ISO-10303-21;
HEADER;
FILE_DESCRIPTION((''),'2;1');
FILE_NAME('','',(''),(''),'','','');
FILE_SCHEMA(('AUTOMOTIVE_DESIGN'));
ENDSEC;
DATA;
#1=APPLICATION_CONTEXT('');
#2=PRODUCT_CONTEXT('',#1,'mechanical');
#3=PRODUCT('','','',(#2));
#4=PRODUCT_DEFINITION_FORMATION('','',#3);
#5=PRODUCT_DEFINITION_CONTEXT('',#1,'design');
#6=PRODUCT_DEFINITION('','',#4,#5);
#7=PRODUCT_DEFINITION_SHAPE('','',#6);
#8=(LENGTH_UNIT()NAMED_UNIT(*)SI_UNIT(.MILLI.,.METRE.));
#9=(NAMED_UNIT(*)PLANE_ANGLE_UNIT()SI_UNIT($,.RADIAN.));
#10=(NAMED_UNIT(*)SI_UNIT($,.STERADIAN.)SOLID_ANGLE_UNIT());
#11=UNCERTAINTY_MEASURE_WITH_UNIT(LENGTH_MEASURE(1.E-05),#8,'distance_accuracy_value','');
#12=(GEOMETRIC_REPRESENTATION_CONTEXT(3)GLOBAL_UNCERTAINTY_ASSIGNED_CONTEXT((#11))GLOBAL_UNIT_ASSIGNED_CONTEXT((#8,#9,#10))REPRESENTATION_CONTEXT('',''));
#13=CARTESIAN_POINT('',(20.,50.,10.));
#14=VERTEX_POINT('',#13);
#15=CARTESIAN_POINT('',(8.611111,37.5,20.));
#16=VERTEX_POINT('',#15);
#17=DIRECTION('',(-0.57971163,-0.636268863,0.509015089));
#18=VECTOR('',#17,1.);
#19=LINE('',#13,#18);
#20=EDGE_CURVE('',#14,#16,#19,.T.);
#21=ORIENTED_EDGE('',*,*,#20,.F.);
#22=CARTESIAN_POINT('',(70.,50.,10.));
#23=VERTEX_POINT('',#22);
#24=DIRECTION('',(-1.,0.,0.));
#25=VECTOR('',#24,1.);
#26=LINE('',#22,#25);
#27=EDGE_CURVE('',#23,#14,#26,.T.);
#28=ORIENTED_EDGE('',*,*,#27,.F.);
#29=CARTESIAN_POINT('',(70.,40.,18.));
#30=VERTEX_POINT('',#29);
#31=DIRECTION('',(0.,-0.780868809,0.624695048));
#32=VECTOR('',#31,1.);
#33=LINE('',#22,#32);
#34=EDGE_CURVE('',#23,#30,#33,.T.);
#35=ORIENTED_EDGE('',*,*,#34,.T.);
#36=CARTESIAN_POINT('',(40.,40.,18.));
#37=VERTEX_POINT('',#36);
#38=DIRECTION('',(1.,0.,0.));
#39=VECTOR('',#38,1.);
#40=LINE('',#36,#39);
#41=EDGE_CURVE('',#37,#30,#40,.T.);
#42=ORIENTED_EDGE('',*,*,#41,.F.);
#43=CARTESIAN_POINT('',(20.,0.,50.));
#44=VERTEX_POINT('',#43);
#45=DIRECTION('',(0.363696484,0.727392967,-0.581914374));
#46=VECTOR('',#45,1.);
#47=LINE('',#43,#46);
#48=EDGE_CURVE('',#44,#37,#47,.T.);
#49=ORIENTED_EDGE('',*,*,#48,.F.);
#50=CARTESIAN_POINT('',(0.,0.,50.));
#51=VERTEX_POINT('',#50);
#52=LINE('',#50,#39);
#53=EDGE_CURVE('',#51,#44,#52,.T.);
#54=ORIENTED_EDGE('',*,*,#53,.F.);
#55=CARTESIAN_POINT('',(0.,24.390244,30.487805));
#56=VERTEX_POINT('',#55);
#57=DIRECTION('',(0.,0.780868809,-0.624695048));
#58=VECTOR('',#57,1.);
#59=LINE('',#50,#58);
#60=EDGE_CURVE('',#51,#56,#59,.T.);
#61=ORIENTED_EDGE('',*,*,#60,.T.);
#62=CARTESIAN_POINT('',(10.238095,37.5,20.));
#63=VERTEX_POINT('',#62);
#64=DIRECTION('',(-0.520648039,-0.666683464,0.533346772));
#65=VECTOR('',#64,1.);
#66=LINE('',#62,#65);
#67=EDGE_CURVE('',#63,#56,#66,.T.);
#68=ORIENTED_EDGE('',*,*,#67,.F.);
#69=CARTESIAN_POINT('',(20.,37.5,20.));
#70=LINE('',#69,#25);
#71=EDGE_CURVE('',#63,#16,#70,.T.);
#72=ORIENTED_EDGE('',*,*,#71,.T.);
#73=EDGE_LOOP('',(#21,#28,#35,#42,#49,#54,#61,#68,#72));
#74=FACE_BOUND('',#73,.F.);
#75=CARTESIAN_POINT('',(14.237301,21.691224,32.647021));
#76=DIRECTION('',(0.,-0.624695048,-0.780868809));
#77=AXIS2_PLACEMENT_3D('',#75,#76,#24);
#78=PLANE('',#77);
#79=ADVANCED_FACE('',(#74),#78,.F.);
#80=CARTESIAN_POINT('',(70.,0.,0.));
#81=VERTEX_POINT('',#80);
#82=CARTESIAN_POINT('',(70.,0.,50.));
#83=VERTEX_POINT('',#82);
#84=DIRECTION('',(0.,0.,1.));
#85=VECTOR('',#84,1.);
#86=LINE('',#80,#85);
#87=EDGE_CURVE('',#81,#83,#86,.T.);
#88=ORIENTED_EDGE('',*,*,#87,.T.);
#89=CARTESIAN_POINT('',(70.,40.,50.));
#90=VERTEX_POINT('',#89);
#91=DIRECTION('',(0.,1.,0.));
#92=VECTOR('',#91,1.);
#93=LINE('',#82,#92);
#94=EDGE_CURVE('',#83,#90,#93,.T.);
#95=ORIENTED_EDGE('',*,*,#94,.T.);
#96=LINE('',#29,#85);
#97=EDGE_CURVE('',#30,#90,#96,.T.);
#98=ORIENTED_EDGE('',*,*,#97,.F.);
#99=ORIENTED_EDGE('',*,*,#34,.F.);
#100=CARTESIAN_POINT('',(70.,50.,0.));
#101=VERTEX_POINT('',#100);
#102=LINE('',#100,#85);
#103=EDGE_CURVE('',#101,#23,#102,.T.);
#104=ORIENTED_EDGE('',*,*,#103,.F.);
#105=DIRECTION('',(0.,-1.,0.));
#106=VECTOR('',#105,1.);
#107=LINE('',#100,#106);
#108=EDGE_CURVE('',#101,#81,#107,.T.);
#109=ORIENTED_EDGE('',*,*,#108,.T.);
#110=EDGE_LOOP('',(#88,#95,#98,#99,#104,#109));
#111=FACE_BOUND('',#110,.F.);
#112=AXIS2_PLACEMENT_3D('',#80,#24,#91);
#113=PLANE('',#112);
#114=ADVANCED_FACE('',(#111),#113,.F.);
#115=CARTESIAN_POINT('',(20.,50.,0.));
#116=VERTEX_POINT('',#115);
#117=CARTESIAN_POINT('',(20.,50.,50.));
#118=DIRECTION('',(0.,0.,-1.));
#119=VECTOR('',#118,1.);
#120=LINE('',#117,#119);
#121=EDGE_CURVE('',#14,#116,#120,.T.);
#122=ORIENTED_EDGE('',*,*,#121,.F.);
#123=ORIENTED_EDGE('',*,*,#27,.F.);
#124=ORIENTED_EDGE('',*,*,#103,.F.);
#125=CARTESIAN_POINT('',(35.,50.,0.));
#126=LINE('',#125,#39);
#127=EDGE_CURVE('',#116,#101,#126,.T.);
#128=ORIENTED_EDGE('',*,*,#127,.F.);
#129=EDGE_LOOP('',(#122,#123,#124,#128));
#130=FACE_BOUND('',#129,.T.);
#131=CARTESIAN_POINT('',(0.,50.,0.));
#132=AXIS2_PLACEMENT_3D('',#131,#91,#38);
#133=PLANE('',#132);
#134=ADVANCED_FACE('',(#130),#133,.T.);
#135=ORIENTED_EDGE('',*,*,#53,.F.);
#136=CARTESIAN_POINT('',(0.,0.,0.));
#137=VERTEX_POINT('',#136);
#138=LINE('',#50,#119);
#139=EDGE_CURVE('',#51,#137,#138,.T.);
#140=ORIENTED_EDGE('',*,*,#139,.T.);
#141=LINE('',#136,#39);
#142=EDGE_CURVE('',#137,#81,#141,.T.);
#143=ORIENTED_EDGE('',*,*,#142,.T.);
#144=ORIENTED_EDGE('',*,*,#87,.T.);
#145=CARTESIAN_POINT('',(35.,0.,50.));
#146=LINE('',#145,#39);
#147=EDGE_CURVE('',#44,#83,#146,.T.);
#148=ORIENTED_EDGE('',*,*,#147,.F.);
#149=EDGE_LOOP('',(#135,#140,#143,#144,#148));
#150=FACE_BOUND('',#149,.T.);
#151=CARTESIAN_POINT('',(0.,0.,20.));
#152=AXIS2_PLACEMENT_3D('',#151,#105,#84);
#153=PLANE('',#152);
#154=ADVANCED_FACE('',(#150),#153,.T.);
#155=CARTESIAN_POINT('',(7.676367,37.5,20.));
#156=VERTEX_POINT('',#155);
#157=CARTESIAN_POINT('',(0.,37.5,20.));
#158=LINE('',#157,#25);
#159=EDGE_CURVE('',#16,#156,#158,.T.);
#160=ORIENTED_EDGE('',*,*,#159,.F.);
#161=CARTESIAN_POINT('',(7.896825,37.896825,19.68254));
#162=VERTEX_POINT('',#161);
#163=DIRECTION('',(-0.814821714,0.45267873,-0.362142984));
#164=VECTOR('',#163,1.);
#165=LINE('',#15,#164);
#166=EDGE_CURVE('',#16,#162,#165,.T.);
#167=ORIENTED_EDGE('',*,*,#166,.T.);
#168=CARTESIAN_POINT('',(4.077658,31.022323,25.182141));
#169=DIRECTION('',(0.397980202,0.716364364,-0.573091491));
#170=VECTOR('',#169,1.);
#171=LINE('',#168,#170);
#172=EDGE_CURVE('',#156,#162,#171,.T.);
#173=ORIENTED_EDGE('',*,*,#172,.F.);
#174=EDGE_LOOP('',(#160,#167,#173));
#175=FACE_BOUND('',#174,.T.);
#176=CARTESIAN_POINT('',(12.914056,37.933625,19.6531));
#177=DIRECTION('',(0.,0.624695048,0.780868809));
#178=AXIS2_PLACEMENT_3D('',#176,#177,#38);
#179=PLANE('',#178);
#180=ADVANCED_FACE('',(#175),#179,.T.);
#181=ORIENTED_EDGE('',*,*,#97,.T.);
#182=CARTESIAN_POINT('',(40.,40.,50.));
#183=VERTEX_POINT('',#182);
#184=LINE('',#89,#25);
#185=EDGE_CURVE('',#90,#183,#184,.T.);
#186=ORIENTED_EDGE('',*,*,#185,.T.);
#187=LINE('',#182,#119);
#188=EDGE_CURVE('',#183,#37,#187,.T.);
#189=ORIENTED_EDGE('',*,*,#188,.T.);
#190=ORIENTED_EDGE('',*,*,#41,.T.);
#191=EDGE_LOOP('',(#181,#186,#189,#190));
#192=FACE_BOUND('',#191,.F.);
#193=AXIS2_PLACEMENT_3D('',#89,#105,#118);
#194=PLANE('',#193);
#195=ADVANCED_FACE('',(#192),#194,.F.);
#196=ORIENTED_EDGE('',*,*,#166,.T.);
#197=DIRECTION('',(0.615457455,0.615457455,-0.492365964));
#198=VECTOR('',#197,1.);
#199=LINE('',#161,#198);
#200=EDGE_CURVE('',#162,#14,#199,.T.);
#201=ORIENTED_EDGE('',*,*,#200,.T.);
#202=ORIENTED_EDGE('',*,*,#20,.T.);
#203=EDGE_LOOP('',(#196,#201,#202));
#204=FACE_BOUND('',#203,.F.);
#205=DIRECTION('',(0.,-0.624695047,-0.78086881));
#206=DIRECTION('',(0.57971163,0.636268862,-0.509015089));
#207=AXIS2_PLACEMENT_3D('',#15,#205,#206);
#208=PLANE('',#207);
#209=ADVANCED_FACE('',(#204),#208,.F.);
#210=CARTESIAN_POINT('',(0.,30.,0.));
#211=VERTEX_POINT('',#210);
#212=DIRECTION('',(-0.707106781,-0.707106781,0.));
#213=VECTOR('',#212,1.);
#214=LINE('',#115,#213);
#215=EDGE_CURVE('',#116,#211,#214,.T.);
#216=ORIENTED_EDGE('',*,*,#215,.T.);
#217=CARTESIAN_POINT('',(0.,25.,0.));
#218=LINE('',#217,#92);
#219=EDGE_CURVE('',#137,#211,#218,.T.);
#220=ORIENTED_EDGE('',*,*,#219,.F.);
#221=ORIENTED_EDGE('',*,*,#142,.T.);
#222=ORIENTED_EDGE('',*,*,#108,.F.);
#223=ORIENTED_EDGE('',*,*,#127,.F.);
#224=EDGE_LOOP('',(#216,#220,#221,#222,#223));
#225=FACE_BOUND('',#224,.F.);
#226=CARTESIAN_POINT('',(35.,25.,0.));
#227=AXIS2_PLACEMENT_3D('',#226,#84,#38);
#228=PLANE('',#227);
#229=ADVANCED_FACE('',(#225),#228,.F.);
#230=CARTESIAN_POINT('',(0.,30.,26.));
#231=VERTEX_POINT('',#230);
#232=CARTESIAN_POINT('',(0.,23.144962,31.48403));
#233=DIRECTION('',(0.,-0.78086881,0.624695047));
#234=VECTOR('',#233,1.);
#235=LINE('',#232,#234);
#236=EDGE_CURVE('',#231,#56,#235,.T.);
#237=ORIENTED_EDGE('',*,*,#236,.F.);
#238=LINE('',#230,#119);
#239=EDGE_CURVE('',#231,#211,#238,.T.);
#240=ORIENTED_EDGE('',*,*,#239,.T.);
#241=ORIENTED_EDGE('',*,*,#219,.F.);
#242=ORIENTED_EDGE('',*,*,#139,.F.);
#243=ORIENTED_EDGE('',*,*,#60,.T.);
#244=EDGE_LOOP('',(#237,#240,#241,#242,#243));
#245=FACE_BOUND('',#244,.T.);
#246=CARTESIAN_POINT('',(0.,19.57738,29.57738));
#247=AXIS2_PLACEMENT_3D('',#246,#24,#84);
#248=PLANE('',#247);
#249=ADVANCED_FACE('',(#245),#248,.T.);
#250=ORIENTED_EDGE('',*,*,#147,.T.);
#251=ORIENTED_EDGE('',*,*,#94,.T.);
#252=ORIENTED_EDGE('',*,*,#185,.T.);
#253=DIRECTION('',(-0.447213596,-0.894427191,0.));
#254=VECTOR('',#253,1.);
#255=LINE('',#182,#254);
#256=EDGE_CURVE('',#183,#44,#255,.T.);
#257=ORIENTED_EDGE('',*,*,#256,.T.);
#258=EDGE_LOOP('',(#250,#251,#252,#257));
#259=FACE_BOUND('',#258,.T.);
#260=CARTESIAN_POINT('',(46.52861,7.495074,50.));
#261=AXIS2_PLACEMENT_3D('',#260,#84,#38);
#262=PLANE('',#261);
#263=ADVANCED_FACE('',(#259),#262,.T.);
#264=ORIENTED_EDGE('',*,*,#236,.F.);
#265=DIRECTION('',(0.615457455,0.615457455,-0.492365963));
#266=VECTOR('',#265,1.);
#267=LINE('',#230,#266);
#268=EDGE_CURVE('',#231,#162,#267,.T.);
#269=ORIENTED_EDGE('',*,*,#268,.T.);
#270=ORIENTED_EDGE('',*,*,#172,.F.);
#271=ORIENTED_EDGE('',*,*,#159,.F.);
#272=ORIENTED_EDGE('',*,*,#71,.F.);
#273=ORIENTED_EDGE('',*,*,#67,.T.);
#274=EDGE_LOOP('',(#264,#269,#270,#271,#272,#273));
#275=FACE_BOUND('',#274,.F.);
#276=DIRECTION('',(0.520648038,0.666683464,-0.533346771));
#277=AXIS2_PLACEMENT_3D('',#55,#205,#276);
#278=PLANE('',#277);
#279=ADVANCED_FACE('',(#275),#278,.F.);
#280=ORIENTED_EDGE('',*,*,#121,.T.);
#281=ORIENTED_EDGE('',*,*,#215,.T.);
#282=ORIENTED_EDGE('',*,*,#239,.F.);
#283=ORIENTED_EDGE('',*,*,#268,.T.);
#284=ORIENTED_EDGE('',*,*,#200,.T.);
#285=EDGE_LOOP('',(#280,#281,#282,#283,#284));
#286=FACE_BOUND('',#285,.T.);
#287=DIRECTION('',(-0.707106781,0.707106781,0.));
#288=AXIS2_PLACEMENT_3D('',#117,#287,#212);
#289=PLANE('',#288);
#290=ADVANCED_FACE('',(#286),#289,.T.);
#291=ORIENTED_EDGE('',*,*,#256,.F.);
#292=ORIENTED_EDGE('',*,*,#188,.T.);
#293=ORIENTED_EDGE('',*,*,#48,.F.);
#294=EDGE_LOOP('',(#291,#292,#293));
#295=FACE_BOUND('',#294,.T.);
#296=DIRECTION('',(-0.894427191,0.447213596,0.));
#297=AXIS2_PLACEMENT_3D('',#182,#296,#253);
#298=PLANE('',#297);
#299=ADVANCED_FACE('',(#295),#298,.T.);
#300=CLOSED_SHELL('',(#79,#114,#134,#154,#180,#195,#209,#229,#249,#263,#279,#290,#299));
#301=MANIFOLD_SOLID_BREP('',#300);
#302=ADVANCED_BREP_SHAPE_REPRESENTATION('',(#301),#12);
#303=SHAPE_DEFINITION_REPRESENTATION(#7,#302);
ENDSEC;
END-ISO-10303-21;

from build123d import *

# Parameters (mm, degrees)
SKETCH1_W            = 70
SKETCH1_H            = 50
BOSS_EXTRUDE1_DEPTH  = 50
CUT_EXTRUDE1_DEPTH   = 50
CUT_EXTRUDE2_DEPTH   = 81
CUT_EXTRUDE4_DEPTH   = 30
BOSS_EXTRUDE4_DEPTH  = 73
SKETCH7_W            = 70
SKETCH7_H            = 50
CUT_EXTRUDE5_DEPTH   = 73
SKETCH8_W            = 70
SKETCH8_H            = 50
CUT_EXTRUDE6_DEPTH   = 73
CUT_EXTRUDE7_DEPTH   = 73
CUT_EXTRUDE8_DEPTH   = 73
CUT_EXTRUDE9_DEPTH   = 73
CUT_EXTRUDE10_DEPTH  = 73
CUT_EXTRUDE11_DEPTH  = 73
CUT_EXTRUDE12_DEPTH  = 73
CUT_EXTRUDE13_DEPTH  = 73
CUT_EXTRUDE14_DEPTH  = 73
CUT_EXTRUDE15_DEPTH  = 73
CUT_EXTRUDE16_DEPTH  = 73
CUT_EXTRUDE17_DEPTH  = 73
BOSS_EXTRUDE6_DEPTH  = 40
BOSS_EXTRUDE9_DEPTH  = 20
CUT_EXTRUDE18_DEPTH  = 20
CUT_EXTRUDE19_DEPTH  = 20
CUT_EXTRUDE20_DEPTH  = 20
CUT_EXTRUDE21_DEPTH  = 20
CUT_EXTRUDE22_DEPTH  = 20
SKETCH28_W           = 25
SKETCH28_H           = 30
BOSS_EXTRUDE10_DEPTH = 20
CUT_EXTRUDE23_DEPTH  = 20
BOSS_EXTRUDE12_DEPTH = 10
CUT_EXTRUDE24_DEPTH  = 10
CUT_EXTRUDE25_DEPTH  = 10
CUT_EXTRUDE28_DEPTH  = 10
BOSS_EXTRUDE14_DEPTH = 35


with BuildPart() as part:
    # Sketch1 → Boss-Extrude1 (new body)
    with BuildSketch(Plane.XY):
        with Locations((35, 25)):
            Rectangle(SKETCH1_W, SKETCH1_H)
    extrude(amount=BOSS_EXTRUDE1_DEPTH)

    # Sketch2 → Cut-Extrude1 (cut)
    with BuildSketch(Plane.XY.offset(50)):
        Polygon((20, 50), (0, 30), (0, 50), align=None)
    extrude(amount=-CUT_EXTRUDE1_DEPTH, mode=Mode.SUBTRACT)

    # Sketch3 → Cut-Extrude2 (cut)
    with BuildSketch(Plane(origin=(70, 0, 0), x_dir=(0, 0, -1), z_dir=(1, 0, 0))):
        Polygon((-50, 40), (-20, 40), (-10, 50), (-50, 50), align=None)
    extrude(amount=-CUT_EXTRUDE2_DEPTH, mode=Mode.SUBTRACT)

    # Sketch4 → Cut-Extrude4 (cut)
    with BuildSketch(Plane.XY.offset(50)):
        Polygon((0, 0), (20, 0), (40, 40), (10, 40), (0, 30), align=None)
    extrude(amount=-CUT_EXTRUDE4_DEPTH, mode=Mode.SUBTRACT)

    # Sketch6 → Boss-Extrude4 (add)
    with BuildSketch(Plane(origin=(0, 24.390243902, 30.487804878), x_dir=(1, 0, 0), z_dir=(0, 0.624695048, 0.780868809))):
        Polygon((20, -31.234752378), (70, 32.796489997), (20, 32.796489997), align=None)
        Polygon((20, -31.234752378), (20, 32.796489997), (0, -31.234752378), align=None)
    extrude(amount=-BOSS_EXTRUDE4_DEPTH)

    # Sketch7 → Cut-Extrude5 (cut)
    with BuildSketch(Plane.XZ):
        with Locations((35, 25)):
            Rectangle(SKETCH7_W, SKETCH7_H)
    extrude(amount=CUT_EXTRUDE5_DEPTH, mode=Mode.SUBTRACT)

    # Sketch8 → Cut-Extrude6 (cut)
    with BuildSketch(Plane(origin=(0, 0, 0), x_dir=(-1, 0, 0), z_dir=(0, 0, -1))):
        with Locations((-35, 25)):
            Rectangle(SKETCH8_W, SKETCH8_H)
    extrude(amount=CUT_EXTRUDE6_DEPTH, mode=Mode.SUBTRACT)

    # Sketch9 → Cut-Extrude7 (cut)
    with BuildSketch(Plane.XY):
        Polygon((9.756097561, 0), (0, -40), (20, -40), (44.390243902, 0), align=None)
    extrude(amount=-CUT_EXTRUDE7_DEPTH, mode=Mode.SUBTRACT)

    # Sketch10 → Cut-Extrude8 (cut)
    with BuildSketch(Plane(origin=(32.359063313, -19.731136167, 0), x_dir=(0, 0, 1), z_dir=(-0.853796176, 0.520607424, 0))):
        Polygon((0, 23.109890541), (0, -23.739698546), (-11.485613867, -23.739698546), (-43.485613867, 23.109890541), align=None)
    extrude(amount=-CUT_EXTRUDE8_DEPTH, mode=Mode.SUBTRACT)

    # Sketch11 → Cut-Extrude9 (cut)
    with BuildSketch(Plane(origin=(0, 24.390243902, 30.487804878), x_dir=(1, 0, 0), z_dir=(0, 0.624695048, 0.780868809))):
        Polygon((0, -31.234752378), (20, -31.234752378), (70, 32.796489997), (20, 32.796489997), (0, 4.685212857), align=None)
    extrude(amount=CUT_EXTRUDE9_DEPTH, mode=Mode.SUBTRACT)

    # Sketch12 → Cut-Extrude10 (cut)
    with BuildSketch(Plane(origin=(-2.213114754, 1.229508197, -0.983606557), x_dir=(0.316569925, -0.17587218, -0.932122556), z_dir=(0.814821714, -0.45267873, 0.362142984))):
        Polygon((-22.511639083, 36.962823095), (-11.783436083, 53.42072243), (-22.511639083, 39.822720357), align=None)
    extrude(amount=-CUT_EXTRUDE10_DEPTH, mode=Mode.SUBTRACT)

    # Sketch13 → Cut-Extrude11 (cut)
    with BuildSketch(Plane(origin=(-7.126507887, 3.959171049, 20.983606557), x_dir=(-0.948569177, -0.058694552, -0.311081126), z_dir=(0.316569925, -0.17587218, -0.932122556))):
        Polygon((-18.055096359, 35.598308966), (-15.837888954, 33.59045957), (-16.59090279, 33.141654832), align=None)
    extrude(amount=-CUT_EXTRUDE11_DEPTH, mode=Mode.SUBTRACT)

    # Sketch14 → Cut-Extrude12 (cut)
    with BuildSketch(Plane(origin=(17.950733753, 32.311320755, 0), x_dir=(0.874157276, -0.485642931, 0), z_dir=(0.485642931, 0.874157276, 0))):
        Polygon((-11.501257989, -19.682539683), (-10.684144486, -20), (-11.501257989, -20), align=None)
    extrude(amount=-CUT_EXTRUDE12_DEPTH, mode=Mode.SUBTRACT)

    # Sketch15 → Cut-Extrude13 (cut)
    with BuildSketch(Plane(origin=(0, 0, 0), x_dir=(1, 0, 0), z_dir=(0, 1, 0))):
        Polygon((44.390243902, 43.485613867), (44.390243902, 0), (65.602738471, 43.485613867), align=None)
    extrude(amount=-CUT_EXTRUDE13_DEPTH, mode=Mode.SUBTRACT)

    # Sketch16 → Cut-Extrude14 (cut)
    with BuildSketch(Plane(origin=(0, -40, 0), x_dir=(1, 0, 0), z_dir=(0, 1, 0))):
        Polygon((20, 11.485613867), (20, 0), (0, 0), (2.241095389, 11.485613867), align=None)
    extrude(amount=-CUT_EXTRUDE14_DEPTH, mode=Mode.SUBTRACT)

    # Sketch17 → Cut-Extrude15 (cut)
    with BuildSketch(Plane(origin=(0, 0, 0), x_dir=(0.191510359, 0, -0.981490592), z_dir=(0.981490592, 0, 0.191510359))):
        Polygon((11.702214937, -40), (7.135496913, -45.602738471), (0, -40), align=None)
    extrude(amount=-CUT_EXTRUDE15_DEPTH, mode=Mode.SUBTRACT)

    # Sketch18 → Cut-Extrude16 (cut)
    with BuildSketch(Plane.ZY.offset(-20)):
        Polygon((-7.003423089, -45.602738471), (0, -40), (-11.485613867, -40), align=None)
    extrude(amount=-CUT_EXTRUDE16_DEPTH, mode=Mode.SUBTRACT)

    # Sketch19 → Cut-Extrude17 (cut)
    with BuildSketch(Plane(origin=(0, -24.390243902, 19.512195122), x_dir=(1, 0, 0), z_dir=(0, -0.780868809, 0.624695048))):
        Polygon((0, -33.956559528), (1.366521578, -33.956559528), (0, -24.987801902), align=None)
    extrude(amount=-CUT_EXTRUDE17_DEPTH, mode=Mode.SUBTRACT)

    # Sketch20 → Boss-Extrude6 (add)
    with BuildSketch(Plane.XY.offset(50)):
        Polygon((20, 0), (70, 0), (70, 40), (40, 40), align=None)
    extrude(amount=-BOSS_EXTRUDE6_DEPTH)

    # Sketch22 → Boss-Extrude9 (add)
    with BuildSketch(Plane.ZY):
        Polygon((20, 0), (50, 0), (20, 50), align=None)
    extrude(amount=-BOSS_EXTRUDE9_DEPTH)

    # Sketch23 → Cut-Extrude18 (cut)
    with BuildSketch(Plane(origin=(0, 24.390243902, 30.487804878), x_dir=(1, 0, 0), z_dir=(0, 0.624695048, 0.780868809))):
        Polygon((0, -31.234752378), (20, 32.796489997), (20, -31.234752378), align=None)
    extrude(amount=CUT_EXTRUDE18_DEPTH, mode=Mode.SUBTRACT)

    # Sketch24 → Cut-Extrude19 (cut)
    with BuildSketch(Plane(origin=(0, 24.390243902, 30.487804878), x_dir=(1, 0, 0), z_dir=(0, 0.624695048, 0.780868809))):
        Polygon((20, 32.796489997), (20, -31.234752378), (0, -31.234752378), (0, 0), align=None)
    extrude(amount=CUT_EXTRUDE19_DEPTH, mode=Mode.SUBTRACT)

    # Sketch25 → Cut-Extrude20 (cut)
    with BuildSketch(Plane(origin=(0, 0, 0), x_dir=(0.293651999, -0.139834285, -0.945629354), z_dir=(0.85377141, -0.406557814, 0.325246251))):
        Polygon((-35.72624266, 24.401635644), (-32.240755571, 22.020988264), (-21.149935654, 38.258970398), (-21.149935654, 52.103855338), align=None)
    extrude(amount=-CUT_EXTRUDE20_DEPTH, mode=Mode.SUBTRACT)

    # Sketch26 → Cut-Extrude21 (cut)
    with BuildSketch(Plane(origin=(0, 0, 20), x_dir=(-1, 0, 0), z_dir=(0, 0, -1))):
        Polygon((0, 30), (0, 37.5), (-7.5, 37.5), align=None)
    extrude(amount=-CUT_EXTRUDE21_DEPTH, mode=Mode.SUBTRACT)

    # Sketch27 → Cut-Extrude22 (cut)
    with BuildSketch(Plane(origin=(-2.564728872, 23.387884709, 35.967269174), x_dir=(-0.998217939, -0.032530406, -0.050027178), z_dir=(0.059673661, -0.54416696, -0.836852062))):
        Polygon((-2.569307534, 16.733584836), (-2.569307534, 29.52608638), (-18.788687646, 31.014533667), (-9.963436703, 16.446669873), align=None)
    extrude(amount=-CUT_EXTRUDE22_DEPTH, mode=Mode.SUBTRACT)

    # Sketch28 → Boss-Extrude10 (add)
    with BuildSketch(Plane.ZY):
        with Locations((12.5, 15)):
            Rectangle(SKETCH28_W, SKETCH28_H)
    extrude(amount=-BOSS_EXTRUDE10_DEPTH)

    # Sketch29 → Cut-Extrude23 (cut)
    with BuildSketch(Plane(origin=(0, 0, 20), x_dir=(-1, 0, 0), z_dir=(0, 0, -1))):
        Polygon((0, 48.224543081), (0, 50), (-16.19047619, 50), align=None)
    extrude(amount=-CUT_EXTRUDE23_DEPTH, mode=Mode.SUBTRACT)

    # Sketch30 → Boss-Extrude12 (add)
    with BuildSketch(Plane(origin=(0, 24.390243902, 30.487804878), x_dir=(1, 0, 0), z_dir=(0, 0.624695048, 0.780868809))):
        Polygon((20, 32.796489997), (0, 7.183993047), (19.391822061, 9.570105394), align=None)
    extrude(amount=-BOSS_EXTRUDE12_DEPTH)

    # Sketch31 → Cut-Extrude24 (cut)
    with BuildSketch(Plane(origin=(-2.564728872, 23.387884709, 35.967269174), x_dir=(-0.998217939, -0.032530406, -0.050027178), z_dir=(0.059673661, -0.54416696, -0.836852062))):
        Polygon((-9.678751188, 15.976738782), (-2.569307534, 7.787398424), (-2.569307534, 4.241162369), align=None)
    extrude(amount=-CUT_EXTRUDE24_DEPTH, mode=Mode.SUBTRACT)

    # Sketch32 → Cut-Extrude25 (cut)
    with BuildSketch(Plane(origin=(0, 37.5, 0), x_dir=(-1, 0, 0), z_dir=(0, -1, 0))):
        Polygon((-7.380952381, -27.5), (0, -26.973684211), (0, -27.5), align=None)
    extrude(amount=-CUT_EXTRUDE25_DEPTH, mode=Mode.SUBTRACT)

    # Sketch35 → Cut-Extrude28 (cut)
    with BuildSketch(Plane(origin=(0, 24.390243902, 30.487804878), x_dir=(1, 0, 0), z_dir=(0, 0.624695048, 0.780868809))):
        Polygon((70, 32.796489997), (70, -31.234752378), (0, -31.234752378), align=None)
    extrude(amount=CUT_EXTRUDE28_DEPTH, mode=Mode.SUBTRACT)

    # Sketch36 → Boss-Extrude14 (add)
    with BuildSketch(Plane.XY.offset(50)):
        Polygon((70, 0), (70, 16.007810594), (28.003905297, 16.007810594), (20, 0), align=None)
        Polygon((40, 40), (28.003905297, 16.007810594), (70, 16.007810594), (70, 40), align=None)
    extrude(amount=-BOSS_EXTRUDE14_DEPTH)


solid = part.part
